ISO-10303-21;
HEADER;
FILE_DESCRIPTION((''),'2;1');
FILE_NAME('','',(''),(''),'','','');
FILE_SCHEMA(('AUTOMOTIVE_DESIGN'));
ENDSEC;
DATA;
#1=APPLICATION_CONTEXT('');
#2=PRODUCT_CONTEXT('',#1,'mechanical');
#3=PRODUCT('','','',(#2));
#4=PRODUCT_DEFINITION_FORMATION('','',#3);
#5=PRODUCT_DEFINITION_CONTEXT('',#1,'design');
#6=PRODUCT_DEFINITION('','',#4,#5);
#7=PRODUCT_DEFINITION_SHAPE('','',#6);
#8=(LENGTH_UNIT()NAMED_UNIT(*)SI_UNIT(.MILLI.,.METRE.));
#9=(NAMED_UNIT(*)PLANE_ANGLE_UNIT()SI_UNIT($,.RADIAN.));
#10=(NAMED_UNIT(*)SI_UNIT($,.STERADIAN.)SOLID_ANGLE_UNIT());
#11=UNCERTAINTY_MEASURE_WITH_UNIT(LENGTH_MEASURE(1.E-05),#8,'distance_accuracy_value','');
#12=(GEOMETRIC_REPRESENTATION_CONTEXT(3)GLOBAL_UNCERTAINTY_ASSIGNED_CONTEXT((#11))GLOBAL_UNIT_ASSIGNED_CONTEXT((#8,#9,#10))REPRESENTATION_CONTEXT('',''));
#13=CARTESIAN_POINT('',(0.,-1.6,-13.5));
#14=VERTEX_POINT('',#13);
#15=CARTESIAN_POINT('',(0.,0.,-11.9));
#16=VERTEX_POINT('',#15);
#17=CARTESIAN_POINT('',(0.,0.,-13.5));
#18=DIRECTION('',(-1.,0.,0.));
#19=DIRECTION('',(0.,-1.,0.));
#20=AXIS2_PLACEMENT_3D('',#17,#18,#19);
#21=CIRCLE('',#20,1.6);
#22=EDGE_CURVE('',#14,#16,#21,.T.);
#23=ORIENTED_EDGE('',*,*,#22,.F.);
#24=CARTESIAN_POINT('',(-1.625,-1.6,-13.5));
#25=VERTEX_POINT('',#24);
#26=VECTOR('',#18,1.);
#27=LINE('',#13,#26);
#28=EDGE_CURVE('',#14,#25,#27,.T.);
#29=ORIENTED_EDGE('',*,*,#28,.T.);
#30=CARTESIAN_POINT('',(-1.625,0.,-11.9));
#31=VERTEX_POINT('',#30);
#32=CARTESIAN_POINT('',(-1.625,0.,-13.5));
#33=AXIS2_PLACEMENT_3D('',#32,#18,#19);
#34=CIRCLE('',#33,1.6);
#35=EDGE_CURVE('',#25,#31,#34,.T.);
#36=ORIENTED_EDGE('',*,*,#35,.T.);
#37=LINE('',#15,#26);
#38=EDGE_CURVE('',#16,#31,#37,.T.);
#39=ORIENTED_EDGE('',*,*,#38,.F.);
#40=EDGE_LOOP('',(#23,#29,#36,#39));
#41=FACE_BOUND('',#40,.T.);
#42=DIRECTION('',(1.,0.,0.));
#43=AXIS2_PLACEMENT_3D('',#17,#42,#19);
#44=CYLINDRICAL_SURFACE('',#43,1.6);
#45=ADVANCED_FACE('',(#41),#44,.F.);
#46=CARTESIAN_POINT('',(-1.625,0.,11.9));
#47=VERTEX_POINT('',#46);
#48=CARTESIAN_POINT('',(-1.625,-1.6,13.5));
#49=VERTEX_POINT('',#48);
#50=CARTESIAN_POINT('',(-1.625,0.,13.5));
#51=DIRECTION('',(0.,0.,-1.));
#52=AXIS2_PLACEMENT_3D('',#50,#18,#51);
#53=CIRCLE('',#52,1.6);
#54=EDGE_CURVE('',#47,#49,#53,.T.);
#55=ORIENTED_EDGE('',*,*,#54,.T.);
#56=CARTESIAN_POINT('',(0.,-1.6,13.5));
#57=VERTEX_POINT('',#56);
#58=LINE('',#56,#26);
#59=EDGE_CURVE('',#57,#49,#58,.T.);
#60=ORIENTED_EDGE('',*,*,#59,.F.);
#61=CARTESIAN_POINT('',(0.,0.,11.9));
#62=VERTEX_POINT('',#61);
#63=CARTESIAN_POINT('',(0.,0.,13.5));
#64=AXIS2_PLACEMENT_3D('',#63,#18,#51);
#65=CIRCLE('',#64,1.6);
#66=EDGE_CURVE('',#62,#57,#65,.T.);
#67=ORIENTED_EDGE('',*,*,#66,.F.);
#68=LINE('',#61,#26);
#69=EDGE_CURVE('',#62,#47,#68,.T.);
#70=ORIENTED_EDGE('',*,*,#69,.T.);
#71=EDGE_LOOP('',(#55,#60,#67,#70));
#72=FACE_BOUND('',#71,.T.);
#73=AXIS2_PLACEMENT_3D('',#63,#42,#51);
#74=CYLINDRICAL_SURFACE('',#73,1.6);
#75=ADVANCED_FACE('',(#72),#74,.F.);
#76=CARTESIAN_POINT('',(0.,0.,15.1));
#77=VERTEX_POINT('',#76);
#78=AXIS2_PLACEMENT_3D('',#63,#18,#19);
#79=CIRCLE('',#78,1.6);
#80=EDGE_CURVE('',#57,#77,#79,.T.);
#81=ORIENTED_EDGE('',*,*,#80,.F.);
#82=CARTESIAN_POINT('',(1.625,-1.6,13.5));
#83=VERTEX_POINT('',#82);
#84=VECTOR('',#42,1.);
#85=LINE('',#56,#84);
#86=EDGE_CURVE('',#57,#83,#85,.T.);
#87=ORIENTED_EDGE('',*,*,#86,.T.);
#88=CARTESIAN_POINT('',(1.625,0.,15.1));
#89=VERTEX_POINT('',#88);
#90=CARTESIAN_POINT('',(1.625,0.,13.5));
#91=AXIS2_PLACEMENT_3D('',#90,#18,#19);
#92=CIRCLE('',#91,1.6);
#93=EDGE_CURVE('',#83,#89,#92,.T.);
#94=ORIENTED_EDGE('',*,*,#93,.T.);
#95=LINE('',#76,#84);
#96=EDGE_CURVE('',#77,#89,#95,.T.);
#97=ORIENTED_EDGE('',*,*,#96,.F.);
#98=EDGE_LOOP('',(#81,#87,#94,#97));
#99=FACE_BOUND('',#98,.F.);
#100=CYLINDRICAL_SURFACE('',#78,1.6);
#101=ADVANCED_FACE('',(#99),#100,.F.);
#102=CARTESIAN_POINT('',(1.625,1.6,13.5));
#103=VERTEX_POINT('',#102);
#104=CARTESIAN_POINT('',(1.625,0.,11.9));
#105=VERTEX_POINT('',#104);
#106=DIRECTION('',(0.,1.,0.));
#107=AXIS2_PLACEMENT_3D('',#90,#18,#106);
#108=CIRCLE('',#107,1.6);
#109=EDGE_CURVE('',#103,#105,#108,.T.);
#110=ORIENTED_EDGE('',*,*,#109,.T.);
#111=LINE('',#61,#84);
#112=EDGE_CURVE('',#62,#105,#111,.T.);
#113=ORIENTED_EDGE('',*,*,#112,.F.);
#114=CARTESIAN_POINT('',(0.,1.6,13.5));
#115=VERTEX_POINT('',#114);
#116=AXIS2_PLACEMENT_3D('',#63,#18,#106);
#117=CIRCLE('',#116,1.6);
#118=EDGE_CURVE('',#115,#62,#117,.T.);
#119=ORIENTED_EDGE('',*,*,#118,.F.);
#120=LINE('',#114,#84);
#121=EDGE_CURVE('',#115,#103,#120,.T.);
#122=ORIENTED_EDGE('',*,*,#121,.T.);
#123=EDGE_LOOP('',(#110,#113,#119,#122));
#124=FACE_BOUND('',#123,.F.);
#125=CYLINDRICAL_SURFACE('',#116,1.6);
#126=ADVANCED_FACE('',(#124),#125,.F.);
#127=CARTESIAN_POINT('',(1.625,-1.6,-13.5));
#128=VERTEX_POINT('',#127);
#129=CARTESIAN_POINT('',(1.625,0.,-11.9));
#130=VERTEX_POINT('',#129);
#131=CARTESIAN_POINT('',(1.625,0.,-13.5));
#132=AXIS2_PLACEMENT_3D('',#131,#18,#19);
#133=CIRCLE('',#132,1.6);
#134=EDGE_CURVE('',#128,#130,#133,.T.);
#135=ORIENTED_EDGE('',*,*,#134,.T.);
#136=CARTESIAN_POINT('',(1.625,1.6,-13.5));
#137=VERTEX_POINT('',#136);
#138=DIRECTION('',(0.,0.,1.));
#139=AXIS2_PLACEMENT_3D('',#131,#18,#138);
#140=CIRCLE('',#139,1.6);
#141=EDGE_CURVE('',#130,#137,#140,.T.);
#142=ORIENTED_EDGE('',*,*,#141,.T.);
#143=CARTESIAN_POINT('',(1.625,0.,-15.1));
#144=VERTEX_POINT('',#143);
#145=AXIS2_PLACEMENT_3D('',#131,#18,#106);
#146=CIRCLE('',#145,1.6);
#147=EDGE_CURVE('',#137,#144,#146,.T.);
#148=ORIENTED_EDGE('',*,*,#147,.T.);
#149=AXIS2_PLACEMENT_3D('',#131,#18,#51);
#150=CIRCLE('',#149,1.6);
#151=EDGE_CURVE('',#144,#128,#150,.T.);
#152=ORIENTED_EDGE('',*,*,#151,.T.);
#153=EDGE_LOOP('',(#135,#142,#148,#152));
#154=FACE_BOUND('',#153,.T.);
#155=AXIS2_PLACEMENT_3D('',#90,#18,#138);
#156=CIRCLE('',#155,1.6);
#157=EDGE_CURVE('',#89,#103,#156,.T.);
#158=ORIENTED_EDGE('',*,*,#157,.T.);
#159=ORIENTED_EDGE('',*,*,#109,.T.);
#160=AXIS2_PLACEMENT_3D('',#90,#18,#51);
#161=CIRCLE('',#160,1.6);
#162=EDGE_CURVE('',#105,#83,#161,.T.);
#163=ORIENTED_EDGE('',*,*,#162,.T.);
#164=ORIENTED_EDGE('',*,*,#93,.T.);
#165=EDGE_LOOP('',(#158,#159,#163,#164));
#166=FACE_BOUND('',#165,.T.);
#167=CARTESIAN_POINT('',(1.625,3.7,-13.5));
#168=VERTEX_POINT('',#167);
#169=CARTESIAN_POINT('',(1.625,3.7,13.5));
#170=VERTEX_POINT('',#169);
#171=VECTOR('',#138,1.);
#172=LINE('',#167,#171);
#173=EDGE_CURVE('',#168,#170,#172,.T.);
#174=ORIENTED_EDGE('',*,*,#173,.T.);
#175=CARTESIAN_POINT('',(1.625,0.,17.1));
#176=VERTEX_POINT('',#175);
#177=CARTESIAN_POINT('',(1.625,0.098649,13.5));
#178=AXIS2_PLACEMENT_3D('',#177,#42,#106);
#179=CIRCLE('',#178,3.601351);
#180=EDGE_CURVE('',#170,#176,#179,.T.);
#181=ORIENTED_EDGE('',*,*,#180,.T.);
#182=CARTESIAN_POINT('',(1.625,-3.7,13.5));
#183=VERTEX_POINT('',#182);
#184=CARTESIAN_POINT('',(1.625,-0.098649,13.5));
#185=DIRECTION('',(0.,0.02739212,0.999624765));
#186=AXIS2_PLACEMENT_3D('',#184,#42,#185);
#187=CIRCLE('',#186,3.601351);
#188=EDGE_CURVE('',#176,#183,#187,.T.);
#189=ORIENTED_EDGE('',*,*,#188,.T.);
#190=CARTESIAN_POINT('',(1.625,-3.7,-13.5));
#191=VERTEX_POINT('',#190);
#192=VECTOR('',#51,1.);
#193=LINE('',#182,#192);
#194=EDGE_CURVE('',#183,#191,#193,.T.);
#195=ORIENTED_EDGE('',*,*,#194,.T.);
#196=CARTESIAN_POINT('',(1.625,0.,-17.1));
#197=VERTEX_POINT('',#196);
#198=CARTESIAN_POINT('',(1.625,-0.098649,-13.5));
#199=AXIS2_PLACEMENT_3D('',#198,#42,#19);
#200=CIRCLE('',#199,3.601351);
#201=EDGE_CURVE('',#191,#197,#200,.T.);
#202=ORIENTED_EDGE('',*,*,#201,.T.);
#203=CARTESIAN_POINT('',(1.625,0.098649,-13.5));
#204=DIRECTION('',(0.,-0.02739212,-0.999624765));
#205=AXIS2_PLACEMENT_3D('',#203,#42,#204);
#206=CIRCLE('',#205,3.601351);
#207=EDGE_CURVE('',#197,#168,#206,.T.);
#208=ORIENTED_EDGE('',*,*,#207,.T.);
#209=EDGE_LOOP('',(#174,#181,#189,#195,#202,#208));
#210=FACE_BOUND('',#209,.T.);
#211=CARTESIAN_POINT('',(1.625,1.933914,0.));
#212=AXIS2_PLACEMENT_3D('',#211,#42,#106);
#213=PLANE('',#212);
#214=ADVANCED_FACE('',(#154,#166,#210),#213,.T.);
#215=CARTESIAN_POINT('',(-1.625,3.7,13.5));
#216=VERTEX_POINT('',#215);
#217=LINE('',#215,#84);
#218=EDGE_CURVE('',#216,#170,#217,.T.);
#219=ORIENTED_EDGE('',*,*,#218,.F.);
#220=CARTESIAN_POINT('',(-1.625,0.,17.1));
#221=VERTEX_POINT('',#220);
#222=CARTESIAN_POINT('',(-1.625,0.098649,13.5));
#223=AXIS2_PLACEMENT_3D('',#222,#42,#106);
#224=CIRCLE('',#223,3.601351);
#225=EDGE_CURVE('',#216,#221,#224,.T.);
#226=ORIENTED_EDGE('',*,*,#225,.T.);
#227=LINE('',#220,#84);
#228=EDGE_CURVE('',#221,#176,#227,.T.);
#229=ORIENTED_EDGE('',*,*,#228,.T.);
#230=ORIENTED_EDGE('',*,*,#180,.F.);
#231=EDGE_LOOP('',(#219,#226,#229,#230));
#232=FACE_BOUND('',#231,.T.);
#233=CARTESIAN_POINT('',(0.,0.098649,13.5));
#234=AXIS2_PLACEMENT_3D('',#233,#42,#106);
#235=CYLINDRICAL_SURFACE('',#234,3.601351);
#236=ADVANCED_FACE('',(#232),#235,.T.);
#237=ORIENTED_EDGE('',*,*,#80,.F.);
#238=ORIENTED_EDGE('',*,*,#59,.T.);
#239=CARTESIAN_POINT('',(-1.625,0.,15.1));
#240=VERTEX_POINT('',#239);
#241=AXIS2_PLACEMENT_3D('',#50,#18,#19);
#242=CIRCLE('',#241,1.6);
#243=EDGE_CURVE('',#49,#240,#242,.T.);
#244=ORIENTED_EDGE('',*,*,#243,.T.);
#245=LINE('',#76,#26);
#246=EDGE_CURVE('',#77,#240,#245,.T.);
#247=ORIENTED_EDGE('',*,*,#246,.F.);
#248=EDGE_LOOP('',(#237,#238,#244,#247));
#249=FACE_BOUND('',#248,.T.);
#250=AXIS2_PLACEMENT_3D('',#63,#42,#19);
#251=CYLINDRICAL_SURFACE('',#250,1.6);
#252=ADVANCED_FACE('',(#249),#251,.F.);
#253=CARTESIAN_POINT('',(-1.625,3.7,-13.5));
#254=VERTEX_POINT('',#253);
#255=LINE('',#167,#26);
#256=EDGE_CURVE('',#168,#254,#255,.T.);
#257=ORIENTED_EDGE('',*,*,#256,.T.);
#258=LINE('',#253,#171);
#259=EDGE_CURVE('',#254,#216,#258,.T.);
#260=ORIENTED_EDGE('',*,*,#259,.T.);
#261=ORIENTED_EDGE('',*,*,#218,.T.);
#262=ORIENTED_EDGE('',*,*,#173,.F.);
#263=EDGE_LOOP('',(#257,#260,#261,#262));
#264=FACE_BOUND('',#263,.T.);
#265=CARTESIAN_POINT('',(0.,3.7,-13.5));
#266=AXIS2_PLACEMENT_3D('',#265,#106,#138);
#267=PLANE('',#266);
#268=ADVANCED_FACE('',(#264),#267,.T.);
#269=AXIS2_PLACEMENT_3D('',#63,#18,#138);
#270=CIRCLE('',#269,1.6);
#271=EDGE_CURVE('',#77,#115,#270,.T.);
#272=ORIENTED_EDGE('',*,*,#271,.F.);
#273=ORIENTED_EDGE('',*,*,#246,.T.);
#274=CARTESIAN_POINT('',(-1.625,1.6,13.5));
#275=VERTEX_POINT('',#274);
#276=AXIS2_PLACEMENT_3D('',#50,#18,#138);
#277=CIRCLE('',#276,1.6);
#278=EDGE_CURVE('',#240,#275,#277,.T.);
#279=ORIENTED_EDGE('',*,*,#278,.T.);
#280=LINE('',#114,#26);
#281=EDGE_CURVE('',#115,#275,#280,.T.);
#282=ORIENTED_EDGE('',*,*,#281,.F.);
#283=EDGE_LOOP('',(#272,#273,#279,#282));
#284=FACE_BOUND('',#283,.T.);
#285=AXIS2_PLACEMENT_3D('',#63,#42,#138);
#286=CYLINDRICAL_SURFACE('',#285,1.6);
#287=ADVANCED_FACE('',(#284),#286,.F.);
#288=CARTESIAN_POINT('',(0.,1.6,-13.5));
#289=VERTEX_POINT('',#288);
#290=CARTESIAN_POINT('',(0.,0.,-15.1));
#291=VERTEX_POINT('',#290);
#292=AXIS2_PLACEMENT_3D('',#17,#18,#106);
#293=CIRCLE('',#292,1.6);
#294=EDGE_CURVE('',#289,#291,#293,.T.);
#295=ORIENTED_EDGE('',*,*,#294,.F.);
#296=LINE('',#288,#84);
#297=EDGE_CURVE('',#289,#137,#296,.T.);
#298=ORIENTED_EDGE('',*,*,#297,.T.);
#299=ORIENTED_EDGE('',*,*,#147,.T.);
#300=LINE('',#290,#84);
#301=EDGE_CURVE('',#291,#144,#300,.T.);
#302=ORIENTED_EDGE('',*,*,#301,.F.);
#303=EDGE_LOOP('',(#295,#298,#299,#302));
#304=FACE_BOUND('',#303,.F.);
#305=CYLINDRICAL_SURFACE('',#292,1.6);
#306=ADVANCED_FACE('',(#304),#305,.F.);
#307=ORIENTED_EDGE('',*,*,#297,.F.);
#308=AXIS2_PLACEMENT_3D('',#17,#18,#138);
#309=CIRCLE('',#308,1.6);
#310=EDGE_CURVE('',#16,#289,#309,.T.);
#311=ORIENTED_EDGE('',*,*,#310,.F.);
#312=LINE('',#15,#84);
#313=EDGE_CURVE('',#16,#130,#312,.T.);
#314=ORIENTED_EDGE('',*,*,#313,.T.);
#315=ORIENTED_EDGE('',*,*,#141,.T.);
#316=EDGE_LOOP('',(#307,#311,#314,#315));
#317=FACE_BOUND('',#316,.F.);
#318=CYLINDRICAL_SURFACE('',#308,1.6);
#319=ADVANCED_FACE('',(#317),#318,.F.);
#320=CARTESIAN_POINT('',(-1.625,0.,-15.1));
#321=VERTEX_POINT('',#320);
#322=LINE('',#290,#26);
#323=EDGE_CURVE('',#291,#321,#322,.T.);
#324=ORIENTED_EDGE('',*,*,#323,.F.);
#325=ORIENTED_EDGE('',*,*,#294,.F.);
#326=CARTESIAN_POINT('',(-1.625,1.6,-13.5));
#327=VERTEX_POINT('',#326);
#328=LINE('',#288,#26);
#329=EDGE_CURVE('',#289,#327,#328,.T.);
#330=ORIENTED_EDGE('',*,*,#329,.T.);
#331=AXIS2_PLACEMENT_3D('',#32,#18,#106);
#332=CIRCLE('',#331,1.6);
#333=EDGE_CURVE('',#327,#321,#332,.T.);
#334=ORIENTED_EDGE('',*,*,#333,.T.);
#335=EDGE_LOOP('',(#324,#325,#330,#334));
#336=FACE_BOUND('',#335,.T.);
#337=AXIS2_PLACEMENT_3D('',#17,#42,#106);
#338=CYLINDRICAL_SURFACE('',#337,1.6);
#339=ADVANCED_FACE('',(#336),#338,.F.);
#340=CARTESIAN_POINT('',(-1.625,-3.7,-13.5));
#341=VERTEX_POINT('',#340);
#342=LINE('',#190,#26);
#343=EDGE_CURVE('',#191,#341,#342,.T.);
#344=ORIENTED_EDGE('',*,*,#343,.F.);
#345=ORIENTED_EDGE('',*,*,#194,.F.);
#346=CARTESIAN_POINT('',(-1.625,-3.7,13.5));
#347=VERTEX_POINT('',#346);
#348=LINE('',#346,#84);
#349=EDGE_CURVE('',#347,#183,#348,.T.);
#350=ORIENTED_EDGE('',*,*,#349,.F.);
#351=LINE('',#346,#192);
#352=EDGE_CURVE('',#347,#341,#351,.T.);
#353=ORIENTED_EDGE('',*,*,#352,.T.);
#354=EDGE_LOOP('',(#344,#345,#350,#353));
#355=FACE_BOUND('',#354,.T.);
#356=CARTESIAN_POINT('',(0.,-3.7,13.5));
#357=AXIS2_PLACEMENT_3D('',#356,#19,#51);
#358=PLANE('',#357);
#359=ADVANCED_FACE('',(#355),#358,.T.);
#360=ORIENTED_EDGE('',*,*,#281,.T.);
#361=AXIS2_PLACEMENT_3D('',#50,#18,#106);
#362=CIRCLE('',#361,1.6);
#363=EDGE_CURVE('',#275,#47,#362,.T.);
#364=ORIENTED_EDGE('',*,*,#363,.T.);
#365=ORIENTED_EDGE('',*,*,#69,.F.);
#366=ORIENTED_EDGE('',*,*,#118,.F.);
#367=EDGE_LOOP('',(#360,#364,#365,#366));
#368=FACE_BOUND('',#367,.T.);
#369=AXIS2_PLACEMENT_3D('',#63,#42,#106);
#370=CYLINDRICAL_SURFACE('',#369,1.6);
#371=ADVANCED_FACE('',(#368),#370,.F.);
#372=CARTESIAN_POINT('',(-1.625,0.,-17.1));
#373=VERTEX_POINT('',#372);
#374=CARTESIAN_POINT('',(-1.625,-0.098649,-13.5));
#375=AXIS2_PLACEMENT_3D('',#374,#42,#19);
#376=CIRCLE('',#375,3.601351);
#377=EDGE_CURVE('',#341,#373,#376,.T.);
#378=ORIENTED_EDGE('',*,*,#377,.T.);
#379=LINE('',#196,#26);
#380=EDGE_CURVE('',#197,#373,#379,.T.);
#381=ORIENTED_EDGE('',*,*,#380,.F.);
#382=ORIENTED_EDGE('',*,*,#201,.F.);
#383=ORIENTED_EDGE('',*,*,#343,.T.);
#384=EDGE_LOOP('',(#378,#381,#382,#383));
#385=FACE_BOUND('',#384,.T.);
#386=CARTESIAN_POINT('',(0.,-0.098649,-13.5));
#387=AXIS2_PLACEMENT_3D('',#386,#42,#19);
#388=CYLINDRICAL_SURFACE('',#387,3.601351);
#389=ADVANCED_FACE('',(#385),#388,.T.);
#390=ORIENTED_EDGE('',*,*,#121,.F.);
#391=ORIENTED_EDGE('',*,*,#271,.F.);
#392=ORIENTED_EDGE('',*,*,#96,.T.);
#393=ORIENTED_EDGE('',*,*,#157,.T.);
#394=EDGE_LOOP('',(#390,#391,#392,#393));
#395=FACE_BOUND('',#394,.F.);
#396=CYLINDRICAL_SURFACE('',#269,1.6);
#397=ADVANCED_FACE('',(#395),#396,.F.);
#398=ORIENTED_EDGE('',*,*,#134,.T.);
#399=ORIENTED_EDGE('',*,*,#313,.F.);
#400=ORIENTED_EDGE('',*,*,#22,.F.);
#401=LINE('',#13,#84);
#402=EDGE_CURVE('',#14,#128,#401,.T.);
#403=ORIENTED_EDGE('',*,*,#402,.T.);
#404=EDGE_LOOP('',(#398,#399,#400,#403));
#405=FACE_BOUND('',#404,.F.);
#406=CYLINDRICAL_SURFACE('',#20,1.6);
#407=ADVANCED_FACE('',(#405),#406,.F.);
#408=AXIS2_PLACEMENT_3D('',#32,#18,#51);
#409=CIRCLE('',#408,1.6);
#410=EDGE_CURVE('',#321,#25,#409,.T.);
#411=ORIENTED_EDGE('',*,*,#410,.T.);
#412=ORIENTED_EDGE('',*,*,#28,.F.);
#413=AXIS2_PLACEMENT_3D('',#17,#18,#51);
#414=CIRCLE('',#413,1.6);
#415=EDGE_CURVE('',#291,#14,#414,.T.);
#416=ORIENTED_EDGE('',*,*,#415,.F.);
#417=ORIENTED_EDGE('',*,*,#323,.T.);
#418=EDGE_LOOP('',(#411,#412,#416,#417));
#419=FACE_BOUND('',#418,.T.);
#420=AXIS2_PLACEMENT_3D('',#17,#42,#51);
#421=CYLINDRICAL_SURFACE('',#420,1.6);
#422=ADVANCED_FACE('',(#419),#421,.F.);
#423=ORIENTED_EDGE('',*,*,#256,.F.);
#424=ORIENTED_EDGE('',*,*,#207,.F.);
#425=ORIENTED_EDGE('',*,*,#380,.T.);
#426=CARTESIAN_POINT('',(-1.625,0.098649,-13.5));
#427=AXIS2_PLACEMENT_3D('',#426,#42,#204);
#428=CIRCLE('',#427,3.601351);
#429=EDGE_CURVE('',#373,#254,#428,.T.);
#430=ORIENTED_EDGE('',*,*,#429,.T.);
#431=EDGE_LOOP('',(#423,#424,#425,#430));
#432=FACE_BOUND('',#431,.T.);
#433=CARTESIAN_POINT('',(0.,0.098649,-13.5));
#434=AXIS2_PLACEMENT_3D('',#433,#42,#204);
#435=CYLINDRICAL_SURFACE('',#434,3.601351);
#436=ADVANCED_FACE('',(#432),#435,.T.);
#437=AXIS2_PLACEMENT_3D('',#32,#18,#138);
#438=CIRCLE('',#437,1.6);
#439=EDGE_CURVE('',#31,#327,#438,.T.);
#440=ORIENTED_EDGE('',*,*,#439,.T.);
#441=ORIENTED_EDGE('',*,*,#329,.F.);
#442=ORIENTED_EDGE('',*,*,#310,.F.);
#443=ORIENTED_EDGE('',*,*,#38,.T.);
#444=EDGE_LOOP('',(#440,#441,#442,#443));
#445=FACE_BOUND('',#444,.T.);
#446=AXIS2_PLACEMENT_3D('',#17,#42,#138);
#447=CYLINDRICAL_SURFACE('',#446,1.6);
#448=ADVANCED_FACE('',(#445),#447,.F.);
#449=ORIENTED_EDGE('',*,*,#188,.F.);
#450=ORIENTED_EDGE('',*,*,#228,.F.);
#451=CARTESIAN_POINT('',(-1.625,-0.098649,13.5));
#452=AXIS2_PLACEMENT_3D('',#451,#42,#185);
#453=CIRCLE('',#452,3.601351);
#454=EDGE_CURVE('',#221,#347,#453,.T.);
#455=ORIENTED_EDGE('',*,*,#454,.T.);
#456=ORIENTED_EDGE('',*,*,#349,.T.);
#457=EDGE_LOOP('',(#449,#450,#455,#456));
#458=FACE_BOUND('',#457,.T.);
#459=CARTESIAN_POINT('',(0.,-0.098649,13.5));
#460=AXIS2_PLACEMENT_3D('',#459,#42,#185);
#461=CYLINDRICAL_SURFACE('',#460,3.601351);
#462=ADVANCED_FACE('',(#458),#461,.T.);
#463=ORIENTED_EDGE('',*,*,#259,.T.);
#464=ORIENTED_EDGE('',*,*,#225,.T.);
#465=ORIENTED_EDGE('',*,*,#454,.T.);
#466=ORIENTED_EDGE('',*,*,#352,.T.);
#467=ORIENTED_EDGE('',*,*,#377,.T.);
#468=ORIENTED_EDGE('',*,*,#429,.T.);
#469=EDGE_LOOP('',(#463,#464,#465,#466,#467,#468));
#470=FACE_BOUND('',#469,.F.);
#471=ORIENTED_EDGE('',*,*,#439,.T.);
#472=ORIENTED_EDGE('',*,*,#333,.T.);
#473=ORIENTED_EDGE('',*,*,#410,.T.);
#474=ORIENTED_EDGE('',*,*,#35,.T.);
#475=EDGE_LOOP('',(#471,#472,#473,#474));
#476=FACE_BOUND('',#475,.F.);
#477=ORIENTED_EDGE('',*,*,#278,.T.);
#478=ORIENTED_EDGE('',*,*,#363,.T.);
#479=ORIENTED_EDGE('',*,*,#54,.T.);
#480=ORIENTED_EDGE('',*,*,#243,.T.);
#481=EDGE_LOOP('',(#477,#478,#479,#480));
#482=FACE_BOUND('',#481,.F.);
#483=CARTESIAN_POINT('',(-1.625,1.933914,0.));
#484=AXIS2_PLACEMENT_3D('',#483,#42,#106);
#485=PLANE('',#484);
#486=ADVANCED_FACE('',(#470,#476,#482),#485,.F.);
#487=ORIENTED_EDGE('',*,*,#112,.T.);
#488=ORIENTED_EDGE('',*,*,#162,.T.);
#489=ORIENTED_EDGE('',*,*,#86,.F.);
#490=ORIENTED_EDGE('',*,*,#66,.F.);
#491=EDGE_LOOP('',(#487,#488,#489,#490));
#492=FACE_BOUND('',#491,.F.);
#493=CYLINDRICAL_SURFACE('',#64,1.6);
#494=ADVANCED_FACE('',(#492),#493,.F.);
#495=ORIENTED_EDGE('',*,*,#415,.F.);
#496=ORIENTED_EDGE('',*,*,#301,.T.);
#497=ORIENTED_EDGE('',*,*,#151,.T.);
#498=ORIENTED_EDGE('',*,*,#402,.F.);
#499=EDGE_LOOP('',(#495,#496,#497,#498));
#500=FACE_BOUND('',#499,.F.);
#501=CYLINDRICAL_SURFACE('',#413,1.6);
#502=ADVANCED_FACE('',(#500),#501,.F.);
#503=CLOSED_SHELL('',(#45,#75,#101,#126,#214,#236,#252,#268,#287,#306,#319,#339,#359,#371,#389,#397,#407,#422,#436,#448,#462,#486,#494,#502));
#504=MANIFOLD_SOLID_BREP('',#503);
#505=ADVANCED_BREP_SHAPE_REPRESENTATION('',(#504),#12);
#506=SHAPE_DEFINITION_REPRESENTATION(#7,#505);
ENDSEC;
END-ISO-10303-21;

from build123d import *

# Parameters (mm, degrees)
F1_DEPTH = 1.625


with BuildPart() as f1:
    # F0 (on Right) → F1 (new body, symmetric)
    with BuildSketch(Plane.YZ):
        with BuildLine():
            Line((3.7, -13.5), (3.7, 13.5))
            Line((3.7, 13.5), (1.6, 13.5))
            ThreePointArc((1.6, 13.5), (1.1313708499, 12.3686291501), (0, 11.9))
            Line((0, 11.9), (0, 0))
            Line((0, 0), (0, -11.9))
            ThreePointArc((0, -11.9), (1.1313708499, -12.3686291501), (1.6, -13.5))
            Line((1.6, -13.5), (3.7, -13.5))
        make_face()
        with BuildLine():
            Line((0, 0), (0, 11.9))
            ThreePointArc((0, 11.9), (-1.1313708499, 12.3686291501), (-1.6, 13.5))
            Line((-1.6, 13.5), (-3.7, 13.5))
            Line((-3.7, 13.5), (-3.7, -13.5))
            Line((-3.7, -13.5), (-1.6, -13.5))
            ThreePointArc((-1.6, -13.5), (-1.1313708499, -12.3686291501), (0, -11.9))
            Line((0, -11.9), (0, 0))
        make_face()
        with BuildLine():
            Line((0, 15.1), (0, 17.1))
            ThreePointArc((0, 17.1), (-2.6100688755, 16.0811818998), (-3.7, 13.5))
            Line((-3.7, 13.5), (-1.6, 13.5))
            ThreePointArc((-1.6, 13.5), (-1.1313708499, 14.6313708499), (0, 15.1))
        make_face()
        with BuildLine():
            Line((1.6, 13.5), (3.7, 13.5))
            ThreePointArc((3.7, 13.5), (2.6100688755, 16.0811818998), (0, 17.1))
            Line((0, 17.1), (0, 15.1))
            ThreePointArc((0, 15.1), (1.1313708499, 14.6313708499), (1.6, 13.5))
        make_face()
        with BuildLine():
            ThreePointArc((0, -17.1), (2.6100688755, -16.0811818998), (3.7, -13.5))
            Line((3.7, -13.5), (1.6, -13.5))
            ThreePointArc((1.6, -13.5), (1.1313708499, -14.6313708499), (0, -15.1))
            Line((0, -15.1), (0, -17.1))
        make_face()
        with BuildLine():
            ThreePointArc((-3.7, -13.5), (-2.6100688755, -16.0811818998), (0, -17.1))
            Line((0, -17.1), (0, -15.1))
            ThreePointArc((0, -15.1), (-1.1313708499, -14.6313708499), (-1.6, -13.5))
            Line((-1.6, -13.5), (-3.7, -13.5))
        make_face()
    extrude(amount=F1_DEPTH, both=True)


solid = f1.part
